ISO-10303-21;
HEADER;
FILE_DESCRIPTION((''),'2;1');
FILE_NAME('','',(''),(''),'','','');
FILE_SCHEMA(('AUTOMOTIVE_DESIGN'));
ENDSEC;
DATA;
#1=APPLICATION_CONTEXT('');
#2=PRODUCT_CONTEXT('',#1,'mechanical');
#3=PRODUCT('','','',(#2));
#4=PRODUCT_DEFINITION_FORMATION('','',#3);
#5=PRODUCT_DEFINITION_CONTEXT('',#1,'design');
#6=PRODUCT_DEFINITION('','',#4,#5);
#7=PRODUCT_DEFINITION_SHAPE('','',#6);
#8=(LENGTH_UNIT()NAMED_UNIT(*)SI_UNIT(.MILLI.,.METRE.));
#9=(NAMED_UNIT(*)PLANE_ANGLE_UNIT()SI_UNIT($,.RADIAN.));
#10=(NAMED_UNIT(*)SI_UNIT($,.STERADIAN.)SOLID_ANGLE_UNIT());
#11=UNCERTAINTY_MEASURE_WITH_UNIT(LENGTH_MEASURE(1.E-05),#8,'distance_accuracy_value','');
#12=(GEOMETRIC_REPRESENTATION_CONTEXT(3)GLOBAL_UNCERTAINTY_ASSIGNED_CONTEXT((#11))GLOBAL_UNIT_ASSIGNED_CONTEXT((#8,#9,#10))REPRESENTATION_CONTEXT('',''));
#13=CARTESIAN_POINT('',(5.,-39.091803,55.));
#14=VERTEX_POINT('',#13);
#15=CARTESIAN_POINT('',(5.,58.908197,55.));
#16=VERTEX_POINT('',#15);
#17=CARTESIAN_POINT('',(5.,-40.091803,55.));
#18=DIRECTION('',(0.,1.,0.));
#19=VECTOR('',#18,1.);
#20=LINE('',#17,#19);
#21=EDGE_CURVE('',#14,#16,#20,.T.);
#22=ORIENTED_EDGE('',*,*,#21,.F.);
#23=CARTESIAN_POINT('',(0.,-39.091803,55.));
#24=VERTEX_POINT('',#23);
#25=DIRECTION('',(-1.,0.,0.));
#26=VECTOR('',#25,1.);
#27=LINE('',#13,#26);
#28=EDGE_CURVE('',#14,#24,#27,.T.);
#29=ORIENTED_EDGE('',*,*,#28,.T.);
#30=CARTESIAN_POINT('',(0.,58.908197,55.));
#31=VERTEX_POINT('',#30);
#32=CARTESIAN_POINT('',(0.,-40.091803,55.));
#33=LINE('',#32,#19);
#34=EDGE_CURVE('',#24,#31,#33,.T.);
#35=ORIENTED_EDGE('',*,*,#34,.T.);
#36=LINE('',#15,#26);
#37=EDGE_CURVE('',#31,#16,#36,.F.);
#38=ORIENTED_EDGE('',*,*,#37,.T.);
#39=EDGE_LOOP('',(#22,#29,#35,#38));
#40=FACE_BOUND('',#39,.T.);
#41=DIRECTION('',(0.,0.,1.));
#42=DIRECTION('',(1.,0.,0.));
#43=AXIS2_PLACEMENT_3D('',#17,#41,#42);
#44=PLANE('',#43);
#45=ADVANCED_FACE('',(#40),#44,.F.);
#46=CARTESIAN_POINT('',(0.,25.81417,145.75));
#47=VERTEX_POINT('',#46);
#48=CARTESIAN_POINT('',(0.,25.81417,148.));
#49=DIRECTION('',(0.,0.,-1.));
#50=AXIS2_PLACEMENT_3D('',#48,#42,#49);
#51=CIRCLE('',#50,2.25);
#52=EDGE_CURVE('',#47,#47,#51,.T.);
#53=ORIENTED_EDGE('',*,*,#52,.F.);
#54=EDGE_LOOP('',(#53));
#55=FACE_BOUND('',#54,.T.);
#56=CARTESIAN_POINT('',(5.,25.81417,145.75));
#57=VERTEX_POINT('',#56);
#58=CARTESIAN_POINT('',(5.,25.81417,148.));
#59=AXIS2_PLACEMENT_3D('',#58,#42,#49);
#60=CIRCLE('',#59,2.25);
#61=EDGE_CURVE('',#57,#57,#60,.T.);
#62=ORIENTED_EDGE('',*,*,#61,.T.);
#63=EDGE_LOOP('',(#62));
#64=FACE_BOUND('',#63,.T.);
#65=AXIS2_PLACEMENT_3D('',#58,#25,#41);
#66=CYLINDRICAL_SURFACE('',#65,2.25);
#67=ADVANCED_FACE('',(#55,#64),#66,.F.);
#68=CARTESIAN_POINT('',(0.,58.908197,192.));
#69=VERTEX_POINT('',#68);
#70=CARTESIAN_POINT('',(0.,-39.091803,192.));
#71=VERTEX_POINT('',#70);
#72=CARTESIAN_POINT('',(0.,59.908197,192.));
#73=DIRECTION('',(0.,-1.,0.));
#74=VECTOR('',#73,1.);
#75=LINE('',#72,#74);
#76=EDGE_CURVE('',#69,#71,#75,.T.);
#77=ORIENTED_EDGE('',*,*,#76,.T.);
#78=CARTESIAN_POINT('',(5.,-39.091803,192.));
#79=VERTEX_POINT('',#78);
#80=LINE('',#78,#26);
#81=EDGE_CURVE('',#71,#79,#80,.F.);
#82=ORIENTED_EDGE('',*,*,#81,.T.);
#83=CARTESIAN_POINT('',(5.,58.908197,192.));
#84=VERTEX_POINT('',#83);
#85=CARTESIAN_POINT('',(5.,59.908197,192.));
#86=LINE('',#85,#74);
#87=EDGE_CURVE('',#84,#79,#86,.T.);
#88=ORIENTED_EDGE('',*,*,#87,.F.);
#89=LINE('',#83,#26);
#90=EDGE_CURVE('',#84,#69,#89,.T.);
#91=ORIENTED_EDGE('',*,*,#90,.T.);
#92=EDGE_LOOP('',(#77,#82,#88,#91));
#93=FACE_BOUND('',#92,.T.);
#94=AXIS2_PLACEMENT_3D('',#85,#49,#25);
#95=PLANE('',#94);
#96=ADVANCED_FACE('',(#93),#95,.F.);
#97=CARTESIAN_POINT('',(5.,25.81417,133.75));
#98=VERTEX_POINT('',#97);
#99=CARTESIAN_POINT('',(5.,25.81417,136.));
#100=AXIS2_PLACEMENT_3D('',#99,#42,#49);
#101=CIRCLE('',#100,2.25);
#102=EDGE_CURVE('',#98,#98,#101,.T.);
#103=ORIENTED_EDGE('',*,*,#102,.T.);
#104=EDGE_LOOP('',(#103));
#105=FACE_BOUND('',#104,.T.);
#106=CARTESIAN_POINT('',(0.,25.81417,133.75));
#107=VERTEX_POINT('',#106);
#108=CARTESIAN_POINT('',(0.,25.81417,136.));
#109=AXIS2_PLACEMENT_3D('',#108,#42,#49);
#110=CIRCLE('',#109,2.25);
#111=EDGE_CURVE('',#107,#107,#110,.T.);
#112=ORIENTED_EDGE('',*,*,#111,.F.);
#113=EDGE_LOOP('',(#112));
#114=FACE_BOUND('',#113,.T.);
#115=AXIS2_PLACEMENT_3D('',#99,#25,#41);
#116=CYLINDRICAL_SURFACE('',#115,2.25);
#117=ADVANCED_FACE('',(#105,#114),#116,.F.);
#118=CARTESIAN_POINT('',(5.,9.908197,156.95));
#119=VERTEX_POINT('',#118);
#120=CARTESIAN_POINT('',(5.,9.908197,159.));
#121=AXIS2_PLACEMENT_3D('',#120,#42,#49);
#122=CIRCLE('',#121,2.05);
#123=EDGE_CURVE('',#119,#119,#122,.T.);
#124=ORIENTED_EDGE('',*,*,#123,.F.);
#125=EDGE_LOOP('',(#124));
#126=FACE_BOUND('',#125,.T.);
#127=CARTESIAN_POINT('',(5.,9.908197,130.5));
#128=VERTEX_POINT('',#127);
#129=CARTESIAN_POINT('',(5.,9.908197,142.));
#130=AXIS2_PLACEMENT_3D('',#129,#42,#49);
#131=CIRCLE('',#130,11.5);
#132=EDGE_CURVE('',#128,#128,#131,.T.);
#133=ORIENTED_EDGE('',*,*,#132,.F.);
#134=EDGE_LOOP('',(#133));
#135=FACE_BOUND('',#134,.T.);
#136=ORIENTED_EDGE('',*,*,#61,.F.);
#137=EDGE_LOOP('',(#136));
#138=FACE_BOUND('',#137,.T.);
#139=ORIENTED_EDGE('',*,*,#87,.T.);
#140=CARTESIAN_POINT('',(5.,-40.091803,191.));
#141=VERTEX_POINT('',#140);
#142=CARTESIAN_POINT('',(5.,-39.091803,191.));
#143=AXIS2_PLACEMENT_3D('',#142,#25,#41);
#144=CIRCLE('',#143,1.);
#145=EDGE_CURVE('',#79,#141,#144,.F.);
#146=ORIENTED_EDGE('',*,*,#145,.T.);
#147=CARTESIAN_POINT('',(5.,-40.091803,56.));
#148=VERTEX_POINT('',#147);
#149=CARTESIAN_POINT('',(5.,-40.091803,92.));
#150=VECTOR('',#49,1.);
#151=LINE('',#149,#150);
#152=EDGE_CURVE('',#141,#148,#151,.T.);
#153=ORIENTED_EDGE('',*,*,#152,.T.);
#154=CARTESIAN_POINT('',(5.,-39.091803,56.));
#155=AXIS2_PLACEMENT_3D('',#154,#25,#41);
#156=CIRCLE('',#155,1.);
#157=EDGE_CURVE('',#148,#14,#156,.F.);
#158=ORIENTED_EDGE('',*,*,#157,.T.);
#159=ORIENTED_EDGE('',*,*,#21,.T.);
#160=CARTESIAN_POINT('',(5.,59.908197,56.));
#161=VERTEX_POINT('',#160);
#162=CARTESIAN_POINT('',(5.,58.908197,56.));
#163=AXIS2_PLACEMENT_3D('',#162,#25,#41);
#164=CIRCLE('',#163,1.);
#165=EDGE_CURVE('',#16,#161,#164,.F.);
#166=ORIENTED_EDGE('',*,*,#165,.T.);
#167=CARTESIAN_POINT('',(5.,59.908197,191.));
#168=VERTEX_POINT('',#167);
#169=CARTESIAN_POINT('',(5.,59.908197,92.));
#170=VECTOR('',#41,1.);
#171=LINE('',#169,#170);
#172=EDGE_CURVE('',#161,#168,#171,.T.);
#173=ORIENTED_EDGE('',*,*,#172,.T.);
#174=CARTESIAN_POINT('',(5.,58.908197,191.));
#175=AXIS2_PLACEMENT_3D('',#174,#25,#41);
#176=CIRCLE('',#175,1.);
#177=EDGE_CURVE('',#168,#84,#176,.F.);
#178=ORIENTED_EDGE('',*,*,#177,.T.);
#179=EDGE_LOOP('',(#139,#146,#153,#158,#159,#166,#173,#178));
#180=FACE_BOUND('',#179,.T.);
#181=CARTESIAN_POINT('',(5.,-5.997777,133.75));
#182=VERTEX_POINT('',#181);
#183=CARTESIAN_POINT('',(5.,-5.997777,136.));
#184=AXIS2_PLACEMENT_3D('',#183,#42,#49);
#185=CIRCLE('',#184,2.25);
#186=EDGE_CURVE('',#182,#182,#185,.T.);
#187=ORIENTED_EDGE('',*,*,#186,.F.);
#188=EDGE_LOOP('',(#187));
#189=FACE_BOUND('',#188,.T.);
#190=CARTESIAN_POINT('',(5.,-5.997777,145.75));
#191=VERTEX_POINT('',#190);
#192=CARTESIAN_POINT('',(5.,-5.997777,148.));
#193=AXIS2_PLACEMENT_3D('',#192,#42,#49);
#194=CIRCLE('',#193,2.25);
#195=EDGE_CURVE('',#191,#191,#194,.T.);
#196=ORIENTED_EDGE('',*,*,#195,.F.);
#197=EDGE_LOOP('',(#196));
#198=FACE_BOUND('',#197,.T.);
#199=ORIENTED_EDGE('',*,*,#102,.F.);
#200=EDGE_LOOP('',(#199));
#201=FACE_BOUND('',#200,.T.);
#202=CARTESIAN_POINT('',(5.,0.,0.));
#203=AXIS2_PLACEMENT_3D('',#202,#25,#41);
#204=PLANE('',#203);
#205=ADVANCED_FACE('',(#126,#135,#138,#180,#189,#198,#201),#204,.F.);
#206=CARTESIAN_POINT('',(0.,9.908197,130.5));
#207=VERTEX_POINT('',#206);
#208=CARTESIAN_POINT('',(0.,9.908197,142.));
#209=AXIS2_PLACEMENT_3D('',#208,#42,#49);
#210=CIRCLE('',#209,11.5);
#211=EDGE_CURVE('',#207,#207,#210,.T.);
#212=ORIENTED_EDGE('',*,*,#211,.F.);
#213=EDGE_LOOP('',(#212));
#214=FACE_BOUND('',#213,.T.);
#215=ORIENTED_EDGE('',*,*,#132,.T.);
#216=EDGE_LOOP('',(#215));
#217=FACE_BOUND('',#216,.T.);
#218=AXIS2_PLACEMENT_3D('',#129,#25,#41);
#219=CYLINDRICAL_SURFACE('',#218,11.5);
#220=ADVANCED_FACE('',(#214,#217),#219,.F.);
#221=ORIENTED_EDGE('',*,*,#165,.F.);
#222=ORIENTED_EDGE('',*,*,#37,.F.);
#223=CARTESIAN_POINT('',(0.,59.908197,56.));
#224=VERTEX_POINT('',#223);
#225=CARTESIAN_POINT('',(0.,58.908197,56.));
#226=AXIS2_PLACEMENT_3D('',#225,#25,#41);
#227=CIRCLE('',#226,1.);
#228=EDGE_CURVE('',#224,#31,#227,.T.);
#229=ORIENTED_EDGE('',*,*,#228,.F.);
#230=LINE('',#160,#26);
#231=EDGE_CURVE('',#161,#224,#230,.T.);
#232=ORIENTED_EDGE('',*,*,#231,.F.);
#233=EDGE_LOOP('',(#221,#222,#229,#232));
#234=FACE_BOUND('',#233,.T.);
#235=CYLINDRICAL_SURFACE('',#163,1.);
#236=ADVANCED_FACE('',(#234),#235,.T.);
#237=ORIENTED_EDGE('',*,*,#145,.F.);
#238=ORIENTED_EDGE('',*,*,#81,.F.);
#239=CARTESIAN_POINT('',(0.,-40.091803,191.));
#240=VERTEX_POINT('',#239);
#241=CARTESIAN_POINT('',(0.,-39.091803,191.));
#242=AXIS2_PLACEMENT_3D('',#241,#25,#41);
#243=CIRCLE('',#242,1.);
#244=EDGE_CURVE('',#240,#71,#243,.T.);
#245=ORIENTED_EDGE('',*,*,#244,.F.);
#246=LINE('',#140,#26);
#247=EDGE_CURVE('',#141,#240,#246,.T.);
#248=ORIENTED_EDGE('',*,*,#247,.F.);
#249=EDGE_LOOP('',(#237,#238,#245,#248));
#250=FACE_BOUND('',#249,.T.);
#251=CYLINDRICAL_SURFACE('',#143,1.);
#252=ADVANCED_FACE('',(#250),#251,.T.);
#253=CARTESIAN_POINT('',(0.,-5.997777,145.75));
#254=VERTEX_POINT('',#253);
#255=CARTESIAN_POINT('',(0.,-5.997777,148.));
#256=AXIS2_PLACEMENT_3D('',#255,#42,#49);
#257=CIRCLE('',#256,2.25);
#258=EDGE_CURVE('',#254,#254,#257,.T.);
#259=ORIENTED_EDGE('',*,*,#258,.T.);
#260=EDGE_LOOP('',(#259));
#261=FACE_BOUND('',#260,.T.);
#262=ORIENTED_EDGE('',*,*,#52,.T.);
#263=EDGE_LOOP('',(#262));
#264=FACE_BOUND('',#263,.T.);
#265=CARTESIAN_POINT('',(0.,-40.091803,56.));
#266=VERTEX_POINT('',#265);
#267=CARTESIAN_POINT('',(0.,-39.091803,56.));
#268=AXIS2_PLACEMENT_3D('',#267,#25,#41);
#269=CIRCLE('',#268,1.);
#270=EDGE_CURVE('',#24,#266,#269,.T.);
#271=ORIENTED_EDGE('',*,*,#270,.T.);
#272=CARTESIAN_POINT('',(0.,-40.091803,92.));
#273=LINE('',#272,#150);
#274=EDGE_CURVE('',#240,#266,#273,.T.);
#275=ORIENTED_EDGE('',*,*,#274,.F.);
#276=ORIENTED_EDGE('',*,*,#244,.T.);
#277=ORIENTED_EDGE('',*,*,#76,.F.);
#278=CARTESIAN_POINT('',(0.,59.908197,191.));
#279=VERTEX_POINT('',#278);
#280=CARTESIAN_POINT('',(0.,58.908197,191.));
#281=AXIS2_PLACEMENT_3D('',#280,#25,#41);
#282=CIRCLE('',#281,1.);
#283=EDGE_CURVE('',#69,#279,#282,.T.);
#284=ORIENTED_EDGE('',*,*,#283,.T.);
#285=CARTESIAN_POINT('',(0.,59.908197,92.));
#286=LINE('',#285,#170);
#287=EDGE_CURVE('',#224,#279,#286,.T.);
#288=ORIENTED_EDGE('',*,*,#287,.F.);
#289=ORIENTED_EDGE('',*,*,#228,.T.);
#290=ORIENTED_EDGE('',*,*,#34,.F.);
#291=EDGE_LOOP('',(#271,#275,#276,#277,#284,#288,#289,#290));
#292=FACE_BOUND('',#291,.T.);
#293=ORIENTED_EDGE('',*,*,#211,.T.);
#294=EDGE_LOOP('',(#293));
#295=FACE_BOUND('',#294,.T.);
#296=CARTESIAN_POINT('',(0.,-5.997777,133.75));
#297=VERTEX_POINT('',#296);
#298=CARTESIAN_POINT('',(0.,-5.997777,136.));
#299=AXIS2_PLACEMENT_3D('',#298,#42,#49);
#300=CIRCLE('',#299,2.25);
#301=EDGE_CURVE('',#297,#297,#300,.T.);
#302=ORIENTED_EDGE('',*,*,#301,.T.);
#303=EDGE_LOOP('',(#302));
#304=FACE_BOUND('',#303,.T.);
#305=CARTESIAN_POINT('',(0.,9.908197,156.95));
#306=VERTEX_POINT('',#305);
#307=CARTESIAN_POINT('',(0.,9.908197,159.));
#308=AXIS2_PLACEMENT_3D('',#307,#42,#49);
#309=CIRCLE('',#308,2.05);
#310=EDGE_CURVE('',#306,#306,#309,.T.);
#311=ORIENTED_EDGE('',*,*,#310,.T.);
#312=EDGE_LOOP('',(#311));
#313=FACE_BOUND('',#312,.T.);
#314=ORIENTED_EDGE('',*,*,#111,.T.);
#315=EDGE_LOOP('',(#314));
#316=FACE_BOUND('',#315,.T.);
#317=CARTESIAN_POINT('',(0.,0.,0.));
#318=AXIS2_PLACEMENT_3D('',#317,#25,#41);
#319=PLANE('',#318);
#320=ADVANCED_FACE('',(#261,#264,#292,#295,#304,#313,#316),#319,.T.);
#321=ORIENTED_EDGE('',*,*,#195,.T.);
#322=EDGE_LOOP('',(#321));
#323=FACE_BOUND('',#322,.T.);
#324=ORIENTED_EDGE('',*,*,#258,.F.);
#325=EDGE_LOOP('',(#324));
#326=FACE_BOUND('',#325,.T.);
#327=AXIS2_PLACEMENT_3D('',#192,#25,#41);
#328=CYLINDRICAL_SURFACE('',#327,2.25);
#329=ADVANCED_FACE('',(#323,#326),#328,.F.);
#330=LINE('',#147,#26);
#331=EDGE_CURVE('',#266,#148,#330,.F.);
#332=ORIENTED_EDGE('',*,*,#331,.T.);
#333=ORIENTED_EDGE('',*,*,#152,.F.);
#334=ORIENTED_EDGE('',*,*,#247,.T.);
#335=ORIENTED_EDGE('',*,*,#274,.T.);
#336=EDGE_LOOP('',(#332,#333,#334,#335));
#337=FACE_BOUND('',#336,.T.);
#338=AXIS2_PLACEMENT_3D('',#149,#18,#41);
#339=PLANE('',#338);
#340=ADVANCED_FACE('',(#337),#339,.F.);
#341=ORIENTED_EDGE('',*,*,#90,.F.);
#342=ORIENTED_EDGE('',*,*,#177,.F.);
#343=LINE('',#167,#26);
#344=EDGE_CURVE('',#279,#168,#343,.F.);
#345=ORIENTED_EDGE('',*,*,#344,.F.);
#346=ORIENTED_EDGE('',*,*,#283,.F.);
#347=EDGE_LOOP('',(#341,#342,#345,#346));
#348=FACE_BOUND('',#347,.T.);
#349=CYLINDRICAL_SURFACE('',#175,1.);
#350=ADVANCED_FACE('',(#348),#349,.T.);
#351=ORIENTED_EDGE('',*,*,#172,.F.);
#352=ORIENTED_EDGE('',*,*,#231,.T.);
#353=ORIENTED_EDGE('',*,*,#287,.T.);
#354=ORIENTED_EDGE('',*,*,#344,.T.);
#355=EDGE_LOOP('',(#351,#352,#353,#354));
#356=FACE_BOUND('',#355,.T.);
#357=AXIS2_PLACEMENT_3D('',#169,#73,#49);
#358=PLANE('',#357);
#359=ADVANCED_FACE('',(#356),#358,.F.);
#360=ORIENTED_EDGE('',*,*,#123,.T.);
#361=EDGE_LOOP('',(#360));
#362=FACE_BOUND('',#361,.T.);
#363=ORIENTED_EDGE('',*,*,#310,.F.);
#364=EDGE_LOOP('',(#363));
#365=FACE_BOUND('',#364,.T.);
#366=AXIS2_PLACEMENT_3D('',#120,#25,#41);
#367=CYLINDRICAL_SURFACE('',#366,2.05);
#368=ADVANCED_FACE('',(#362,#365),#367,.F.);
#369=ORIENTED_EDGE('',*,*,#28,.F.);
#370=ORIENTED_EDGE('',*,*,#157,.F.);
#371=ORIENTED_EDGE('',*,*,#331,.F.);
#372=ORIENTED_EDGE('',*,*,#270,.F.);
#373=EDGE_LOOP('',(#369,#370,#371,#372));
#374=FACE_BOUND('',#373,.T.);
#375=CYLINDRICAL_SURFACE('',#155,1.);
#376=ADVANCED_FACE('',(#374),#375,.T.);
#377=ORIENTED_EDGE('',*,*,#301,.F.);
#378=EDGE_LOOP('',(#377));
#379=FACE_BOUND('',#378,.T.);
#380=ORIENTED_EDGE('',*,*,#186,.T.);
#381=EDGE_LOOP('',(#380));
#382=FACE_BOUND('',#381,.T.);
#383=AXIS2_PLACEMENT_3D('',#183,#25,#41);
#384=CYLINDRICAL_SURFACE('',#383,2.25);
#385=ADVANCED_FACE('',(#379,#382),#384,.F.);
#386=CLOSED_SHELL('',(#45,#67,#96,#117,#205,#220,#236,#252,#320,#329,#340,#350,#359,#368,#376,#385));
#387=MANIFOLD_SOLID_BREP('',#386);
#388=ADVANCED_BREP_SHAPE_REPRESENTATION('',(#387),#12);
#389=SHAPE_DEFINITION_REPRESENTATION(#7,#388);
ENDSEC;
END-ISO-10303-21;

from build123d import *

# Parameters (mm, degrees)
SKIZZE1_R                       = 11.5
SKIZZE1_R_2                     = 2.25
SKIZZE1_R_3                     = 2.05
AUFSATZ_LINEAR_AUSTRAGEN1_DEPTH = 5
VERRUNDUNG1_R                   = 1


with BuildPart() as part:
    # Skizze1 → Aufsatz-Linear austragen1 (new body)
    with BuildSketch(Plane(origin=(0, 0, 0), x_dir=(0, 0, -1), z_dir=(1, 0, 0))):
        Polygon((-92, 59.908196572), (-192, 59.908196572), (-192, -40.091803428), (-92, -40.091803428), (-55, -40.091803428), (-55, 59.908196572), align=None)
        with Locations((-142, 9.908196572)):
            Circle(SKIZZE1_R, mode=Mode.SUBTRACT)
        with Locations((-148, 25.814170293)):
            Circle(SKIZZE1_R_2, mode=Mode.SUBTRACT)
        with Locations((-136, 25.814170293)):
            Circle(SKIZZE1_R_2, mode=Mode.SUBTRACT)
        with Locations((-159, 9.908196572)):
            Circle(SKIZZE1_R_3, mode=Mode.SUBTRACT)
        with Locations((-148, -5.997777148)):
            Circle(SKIZZE1_R_2, mode=Mode.SUBTRACT)
        with Locations((-136, -5.997777148)):
            Circle(SKIZZE1_R_2, mode=Mode.SUBTRACT)
    extrude(amount=AUFSATZ_LINEAR_AUSTRAGEN1_DEPTH)

    # Verrundung1
    verrundung1_edges = [part.edges().sort_by_distance(p)[0] for p in [
        (2.5, 59.908196572, 192),
        (2.5, 59.908196572, 55),
        (2.5, -40.091803428, 55),
        (2.5, -40.091803428, 192),
    ]]
    fillet(verrundung1_edges, radius=VERRUNDUNG1_R)


solid = part.part
